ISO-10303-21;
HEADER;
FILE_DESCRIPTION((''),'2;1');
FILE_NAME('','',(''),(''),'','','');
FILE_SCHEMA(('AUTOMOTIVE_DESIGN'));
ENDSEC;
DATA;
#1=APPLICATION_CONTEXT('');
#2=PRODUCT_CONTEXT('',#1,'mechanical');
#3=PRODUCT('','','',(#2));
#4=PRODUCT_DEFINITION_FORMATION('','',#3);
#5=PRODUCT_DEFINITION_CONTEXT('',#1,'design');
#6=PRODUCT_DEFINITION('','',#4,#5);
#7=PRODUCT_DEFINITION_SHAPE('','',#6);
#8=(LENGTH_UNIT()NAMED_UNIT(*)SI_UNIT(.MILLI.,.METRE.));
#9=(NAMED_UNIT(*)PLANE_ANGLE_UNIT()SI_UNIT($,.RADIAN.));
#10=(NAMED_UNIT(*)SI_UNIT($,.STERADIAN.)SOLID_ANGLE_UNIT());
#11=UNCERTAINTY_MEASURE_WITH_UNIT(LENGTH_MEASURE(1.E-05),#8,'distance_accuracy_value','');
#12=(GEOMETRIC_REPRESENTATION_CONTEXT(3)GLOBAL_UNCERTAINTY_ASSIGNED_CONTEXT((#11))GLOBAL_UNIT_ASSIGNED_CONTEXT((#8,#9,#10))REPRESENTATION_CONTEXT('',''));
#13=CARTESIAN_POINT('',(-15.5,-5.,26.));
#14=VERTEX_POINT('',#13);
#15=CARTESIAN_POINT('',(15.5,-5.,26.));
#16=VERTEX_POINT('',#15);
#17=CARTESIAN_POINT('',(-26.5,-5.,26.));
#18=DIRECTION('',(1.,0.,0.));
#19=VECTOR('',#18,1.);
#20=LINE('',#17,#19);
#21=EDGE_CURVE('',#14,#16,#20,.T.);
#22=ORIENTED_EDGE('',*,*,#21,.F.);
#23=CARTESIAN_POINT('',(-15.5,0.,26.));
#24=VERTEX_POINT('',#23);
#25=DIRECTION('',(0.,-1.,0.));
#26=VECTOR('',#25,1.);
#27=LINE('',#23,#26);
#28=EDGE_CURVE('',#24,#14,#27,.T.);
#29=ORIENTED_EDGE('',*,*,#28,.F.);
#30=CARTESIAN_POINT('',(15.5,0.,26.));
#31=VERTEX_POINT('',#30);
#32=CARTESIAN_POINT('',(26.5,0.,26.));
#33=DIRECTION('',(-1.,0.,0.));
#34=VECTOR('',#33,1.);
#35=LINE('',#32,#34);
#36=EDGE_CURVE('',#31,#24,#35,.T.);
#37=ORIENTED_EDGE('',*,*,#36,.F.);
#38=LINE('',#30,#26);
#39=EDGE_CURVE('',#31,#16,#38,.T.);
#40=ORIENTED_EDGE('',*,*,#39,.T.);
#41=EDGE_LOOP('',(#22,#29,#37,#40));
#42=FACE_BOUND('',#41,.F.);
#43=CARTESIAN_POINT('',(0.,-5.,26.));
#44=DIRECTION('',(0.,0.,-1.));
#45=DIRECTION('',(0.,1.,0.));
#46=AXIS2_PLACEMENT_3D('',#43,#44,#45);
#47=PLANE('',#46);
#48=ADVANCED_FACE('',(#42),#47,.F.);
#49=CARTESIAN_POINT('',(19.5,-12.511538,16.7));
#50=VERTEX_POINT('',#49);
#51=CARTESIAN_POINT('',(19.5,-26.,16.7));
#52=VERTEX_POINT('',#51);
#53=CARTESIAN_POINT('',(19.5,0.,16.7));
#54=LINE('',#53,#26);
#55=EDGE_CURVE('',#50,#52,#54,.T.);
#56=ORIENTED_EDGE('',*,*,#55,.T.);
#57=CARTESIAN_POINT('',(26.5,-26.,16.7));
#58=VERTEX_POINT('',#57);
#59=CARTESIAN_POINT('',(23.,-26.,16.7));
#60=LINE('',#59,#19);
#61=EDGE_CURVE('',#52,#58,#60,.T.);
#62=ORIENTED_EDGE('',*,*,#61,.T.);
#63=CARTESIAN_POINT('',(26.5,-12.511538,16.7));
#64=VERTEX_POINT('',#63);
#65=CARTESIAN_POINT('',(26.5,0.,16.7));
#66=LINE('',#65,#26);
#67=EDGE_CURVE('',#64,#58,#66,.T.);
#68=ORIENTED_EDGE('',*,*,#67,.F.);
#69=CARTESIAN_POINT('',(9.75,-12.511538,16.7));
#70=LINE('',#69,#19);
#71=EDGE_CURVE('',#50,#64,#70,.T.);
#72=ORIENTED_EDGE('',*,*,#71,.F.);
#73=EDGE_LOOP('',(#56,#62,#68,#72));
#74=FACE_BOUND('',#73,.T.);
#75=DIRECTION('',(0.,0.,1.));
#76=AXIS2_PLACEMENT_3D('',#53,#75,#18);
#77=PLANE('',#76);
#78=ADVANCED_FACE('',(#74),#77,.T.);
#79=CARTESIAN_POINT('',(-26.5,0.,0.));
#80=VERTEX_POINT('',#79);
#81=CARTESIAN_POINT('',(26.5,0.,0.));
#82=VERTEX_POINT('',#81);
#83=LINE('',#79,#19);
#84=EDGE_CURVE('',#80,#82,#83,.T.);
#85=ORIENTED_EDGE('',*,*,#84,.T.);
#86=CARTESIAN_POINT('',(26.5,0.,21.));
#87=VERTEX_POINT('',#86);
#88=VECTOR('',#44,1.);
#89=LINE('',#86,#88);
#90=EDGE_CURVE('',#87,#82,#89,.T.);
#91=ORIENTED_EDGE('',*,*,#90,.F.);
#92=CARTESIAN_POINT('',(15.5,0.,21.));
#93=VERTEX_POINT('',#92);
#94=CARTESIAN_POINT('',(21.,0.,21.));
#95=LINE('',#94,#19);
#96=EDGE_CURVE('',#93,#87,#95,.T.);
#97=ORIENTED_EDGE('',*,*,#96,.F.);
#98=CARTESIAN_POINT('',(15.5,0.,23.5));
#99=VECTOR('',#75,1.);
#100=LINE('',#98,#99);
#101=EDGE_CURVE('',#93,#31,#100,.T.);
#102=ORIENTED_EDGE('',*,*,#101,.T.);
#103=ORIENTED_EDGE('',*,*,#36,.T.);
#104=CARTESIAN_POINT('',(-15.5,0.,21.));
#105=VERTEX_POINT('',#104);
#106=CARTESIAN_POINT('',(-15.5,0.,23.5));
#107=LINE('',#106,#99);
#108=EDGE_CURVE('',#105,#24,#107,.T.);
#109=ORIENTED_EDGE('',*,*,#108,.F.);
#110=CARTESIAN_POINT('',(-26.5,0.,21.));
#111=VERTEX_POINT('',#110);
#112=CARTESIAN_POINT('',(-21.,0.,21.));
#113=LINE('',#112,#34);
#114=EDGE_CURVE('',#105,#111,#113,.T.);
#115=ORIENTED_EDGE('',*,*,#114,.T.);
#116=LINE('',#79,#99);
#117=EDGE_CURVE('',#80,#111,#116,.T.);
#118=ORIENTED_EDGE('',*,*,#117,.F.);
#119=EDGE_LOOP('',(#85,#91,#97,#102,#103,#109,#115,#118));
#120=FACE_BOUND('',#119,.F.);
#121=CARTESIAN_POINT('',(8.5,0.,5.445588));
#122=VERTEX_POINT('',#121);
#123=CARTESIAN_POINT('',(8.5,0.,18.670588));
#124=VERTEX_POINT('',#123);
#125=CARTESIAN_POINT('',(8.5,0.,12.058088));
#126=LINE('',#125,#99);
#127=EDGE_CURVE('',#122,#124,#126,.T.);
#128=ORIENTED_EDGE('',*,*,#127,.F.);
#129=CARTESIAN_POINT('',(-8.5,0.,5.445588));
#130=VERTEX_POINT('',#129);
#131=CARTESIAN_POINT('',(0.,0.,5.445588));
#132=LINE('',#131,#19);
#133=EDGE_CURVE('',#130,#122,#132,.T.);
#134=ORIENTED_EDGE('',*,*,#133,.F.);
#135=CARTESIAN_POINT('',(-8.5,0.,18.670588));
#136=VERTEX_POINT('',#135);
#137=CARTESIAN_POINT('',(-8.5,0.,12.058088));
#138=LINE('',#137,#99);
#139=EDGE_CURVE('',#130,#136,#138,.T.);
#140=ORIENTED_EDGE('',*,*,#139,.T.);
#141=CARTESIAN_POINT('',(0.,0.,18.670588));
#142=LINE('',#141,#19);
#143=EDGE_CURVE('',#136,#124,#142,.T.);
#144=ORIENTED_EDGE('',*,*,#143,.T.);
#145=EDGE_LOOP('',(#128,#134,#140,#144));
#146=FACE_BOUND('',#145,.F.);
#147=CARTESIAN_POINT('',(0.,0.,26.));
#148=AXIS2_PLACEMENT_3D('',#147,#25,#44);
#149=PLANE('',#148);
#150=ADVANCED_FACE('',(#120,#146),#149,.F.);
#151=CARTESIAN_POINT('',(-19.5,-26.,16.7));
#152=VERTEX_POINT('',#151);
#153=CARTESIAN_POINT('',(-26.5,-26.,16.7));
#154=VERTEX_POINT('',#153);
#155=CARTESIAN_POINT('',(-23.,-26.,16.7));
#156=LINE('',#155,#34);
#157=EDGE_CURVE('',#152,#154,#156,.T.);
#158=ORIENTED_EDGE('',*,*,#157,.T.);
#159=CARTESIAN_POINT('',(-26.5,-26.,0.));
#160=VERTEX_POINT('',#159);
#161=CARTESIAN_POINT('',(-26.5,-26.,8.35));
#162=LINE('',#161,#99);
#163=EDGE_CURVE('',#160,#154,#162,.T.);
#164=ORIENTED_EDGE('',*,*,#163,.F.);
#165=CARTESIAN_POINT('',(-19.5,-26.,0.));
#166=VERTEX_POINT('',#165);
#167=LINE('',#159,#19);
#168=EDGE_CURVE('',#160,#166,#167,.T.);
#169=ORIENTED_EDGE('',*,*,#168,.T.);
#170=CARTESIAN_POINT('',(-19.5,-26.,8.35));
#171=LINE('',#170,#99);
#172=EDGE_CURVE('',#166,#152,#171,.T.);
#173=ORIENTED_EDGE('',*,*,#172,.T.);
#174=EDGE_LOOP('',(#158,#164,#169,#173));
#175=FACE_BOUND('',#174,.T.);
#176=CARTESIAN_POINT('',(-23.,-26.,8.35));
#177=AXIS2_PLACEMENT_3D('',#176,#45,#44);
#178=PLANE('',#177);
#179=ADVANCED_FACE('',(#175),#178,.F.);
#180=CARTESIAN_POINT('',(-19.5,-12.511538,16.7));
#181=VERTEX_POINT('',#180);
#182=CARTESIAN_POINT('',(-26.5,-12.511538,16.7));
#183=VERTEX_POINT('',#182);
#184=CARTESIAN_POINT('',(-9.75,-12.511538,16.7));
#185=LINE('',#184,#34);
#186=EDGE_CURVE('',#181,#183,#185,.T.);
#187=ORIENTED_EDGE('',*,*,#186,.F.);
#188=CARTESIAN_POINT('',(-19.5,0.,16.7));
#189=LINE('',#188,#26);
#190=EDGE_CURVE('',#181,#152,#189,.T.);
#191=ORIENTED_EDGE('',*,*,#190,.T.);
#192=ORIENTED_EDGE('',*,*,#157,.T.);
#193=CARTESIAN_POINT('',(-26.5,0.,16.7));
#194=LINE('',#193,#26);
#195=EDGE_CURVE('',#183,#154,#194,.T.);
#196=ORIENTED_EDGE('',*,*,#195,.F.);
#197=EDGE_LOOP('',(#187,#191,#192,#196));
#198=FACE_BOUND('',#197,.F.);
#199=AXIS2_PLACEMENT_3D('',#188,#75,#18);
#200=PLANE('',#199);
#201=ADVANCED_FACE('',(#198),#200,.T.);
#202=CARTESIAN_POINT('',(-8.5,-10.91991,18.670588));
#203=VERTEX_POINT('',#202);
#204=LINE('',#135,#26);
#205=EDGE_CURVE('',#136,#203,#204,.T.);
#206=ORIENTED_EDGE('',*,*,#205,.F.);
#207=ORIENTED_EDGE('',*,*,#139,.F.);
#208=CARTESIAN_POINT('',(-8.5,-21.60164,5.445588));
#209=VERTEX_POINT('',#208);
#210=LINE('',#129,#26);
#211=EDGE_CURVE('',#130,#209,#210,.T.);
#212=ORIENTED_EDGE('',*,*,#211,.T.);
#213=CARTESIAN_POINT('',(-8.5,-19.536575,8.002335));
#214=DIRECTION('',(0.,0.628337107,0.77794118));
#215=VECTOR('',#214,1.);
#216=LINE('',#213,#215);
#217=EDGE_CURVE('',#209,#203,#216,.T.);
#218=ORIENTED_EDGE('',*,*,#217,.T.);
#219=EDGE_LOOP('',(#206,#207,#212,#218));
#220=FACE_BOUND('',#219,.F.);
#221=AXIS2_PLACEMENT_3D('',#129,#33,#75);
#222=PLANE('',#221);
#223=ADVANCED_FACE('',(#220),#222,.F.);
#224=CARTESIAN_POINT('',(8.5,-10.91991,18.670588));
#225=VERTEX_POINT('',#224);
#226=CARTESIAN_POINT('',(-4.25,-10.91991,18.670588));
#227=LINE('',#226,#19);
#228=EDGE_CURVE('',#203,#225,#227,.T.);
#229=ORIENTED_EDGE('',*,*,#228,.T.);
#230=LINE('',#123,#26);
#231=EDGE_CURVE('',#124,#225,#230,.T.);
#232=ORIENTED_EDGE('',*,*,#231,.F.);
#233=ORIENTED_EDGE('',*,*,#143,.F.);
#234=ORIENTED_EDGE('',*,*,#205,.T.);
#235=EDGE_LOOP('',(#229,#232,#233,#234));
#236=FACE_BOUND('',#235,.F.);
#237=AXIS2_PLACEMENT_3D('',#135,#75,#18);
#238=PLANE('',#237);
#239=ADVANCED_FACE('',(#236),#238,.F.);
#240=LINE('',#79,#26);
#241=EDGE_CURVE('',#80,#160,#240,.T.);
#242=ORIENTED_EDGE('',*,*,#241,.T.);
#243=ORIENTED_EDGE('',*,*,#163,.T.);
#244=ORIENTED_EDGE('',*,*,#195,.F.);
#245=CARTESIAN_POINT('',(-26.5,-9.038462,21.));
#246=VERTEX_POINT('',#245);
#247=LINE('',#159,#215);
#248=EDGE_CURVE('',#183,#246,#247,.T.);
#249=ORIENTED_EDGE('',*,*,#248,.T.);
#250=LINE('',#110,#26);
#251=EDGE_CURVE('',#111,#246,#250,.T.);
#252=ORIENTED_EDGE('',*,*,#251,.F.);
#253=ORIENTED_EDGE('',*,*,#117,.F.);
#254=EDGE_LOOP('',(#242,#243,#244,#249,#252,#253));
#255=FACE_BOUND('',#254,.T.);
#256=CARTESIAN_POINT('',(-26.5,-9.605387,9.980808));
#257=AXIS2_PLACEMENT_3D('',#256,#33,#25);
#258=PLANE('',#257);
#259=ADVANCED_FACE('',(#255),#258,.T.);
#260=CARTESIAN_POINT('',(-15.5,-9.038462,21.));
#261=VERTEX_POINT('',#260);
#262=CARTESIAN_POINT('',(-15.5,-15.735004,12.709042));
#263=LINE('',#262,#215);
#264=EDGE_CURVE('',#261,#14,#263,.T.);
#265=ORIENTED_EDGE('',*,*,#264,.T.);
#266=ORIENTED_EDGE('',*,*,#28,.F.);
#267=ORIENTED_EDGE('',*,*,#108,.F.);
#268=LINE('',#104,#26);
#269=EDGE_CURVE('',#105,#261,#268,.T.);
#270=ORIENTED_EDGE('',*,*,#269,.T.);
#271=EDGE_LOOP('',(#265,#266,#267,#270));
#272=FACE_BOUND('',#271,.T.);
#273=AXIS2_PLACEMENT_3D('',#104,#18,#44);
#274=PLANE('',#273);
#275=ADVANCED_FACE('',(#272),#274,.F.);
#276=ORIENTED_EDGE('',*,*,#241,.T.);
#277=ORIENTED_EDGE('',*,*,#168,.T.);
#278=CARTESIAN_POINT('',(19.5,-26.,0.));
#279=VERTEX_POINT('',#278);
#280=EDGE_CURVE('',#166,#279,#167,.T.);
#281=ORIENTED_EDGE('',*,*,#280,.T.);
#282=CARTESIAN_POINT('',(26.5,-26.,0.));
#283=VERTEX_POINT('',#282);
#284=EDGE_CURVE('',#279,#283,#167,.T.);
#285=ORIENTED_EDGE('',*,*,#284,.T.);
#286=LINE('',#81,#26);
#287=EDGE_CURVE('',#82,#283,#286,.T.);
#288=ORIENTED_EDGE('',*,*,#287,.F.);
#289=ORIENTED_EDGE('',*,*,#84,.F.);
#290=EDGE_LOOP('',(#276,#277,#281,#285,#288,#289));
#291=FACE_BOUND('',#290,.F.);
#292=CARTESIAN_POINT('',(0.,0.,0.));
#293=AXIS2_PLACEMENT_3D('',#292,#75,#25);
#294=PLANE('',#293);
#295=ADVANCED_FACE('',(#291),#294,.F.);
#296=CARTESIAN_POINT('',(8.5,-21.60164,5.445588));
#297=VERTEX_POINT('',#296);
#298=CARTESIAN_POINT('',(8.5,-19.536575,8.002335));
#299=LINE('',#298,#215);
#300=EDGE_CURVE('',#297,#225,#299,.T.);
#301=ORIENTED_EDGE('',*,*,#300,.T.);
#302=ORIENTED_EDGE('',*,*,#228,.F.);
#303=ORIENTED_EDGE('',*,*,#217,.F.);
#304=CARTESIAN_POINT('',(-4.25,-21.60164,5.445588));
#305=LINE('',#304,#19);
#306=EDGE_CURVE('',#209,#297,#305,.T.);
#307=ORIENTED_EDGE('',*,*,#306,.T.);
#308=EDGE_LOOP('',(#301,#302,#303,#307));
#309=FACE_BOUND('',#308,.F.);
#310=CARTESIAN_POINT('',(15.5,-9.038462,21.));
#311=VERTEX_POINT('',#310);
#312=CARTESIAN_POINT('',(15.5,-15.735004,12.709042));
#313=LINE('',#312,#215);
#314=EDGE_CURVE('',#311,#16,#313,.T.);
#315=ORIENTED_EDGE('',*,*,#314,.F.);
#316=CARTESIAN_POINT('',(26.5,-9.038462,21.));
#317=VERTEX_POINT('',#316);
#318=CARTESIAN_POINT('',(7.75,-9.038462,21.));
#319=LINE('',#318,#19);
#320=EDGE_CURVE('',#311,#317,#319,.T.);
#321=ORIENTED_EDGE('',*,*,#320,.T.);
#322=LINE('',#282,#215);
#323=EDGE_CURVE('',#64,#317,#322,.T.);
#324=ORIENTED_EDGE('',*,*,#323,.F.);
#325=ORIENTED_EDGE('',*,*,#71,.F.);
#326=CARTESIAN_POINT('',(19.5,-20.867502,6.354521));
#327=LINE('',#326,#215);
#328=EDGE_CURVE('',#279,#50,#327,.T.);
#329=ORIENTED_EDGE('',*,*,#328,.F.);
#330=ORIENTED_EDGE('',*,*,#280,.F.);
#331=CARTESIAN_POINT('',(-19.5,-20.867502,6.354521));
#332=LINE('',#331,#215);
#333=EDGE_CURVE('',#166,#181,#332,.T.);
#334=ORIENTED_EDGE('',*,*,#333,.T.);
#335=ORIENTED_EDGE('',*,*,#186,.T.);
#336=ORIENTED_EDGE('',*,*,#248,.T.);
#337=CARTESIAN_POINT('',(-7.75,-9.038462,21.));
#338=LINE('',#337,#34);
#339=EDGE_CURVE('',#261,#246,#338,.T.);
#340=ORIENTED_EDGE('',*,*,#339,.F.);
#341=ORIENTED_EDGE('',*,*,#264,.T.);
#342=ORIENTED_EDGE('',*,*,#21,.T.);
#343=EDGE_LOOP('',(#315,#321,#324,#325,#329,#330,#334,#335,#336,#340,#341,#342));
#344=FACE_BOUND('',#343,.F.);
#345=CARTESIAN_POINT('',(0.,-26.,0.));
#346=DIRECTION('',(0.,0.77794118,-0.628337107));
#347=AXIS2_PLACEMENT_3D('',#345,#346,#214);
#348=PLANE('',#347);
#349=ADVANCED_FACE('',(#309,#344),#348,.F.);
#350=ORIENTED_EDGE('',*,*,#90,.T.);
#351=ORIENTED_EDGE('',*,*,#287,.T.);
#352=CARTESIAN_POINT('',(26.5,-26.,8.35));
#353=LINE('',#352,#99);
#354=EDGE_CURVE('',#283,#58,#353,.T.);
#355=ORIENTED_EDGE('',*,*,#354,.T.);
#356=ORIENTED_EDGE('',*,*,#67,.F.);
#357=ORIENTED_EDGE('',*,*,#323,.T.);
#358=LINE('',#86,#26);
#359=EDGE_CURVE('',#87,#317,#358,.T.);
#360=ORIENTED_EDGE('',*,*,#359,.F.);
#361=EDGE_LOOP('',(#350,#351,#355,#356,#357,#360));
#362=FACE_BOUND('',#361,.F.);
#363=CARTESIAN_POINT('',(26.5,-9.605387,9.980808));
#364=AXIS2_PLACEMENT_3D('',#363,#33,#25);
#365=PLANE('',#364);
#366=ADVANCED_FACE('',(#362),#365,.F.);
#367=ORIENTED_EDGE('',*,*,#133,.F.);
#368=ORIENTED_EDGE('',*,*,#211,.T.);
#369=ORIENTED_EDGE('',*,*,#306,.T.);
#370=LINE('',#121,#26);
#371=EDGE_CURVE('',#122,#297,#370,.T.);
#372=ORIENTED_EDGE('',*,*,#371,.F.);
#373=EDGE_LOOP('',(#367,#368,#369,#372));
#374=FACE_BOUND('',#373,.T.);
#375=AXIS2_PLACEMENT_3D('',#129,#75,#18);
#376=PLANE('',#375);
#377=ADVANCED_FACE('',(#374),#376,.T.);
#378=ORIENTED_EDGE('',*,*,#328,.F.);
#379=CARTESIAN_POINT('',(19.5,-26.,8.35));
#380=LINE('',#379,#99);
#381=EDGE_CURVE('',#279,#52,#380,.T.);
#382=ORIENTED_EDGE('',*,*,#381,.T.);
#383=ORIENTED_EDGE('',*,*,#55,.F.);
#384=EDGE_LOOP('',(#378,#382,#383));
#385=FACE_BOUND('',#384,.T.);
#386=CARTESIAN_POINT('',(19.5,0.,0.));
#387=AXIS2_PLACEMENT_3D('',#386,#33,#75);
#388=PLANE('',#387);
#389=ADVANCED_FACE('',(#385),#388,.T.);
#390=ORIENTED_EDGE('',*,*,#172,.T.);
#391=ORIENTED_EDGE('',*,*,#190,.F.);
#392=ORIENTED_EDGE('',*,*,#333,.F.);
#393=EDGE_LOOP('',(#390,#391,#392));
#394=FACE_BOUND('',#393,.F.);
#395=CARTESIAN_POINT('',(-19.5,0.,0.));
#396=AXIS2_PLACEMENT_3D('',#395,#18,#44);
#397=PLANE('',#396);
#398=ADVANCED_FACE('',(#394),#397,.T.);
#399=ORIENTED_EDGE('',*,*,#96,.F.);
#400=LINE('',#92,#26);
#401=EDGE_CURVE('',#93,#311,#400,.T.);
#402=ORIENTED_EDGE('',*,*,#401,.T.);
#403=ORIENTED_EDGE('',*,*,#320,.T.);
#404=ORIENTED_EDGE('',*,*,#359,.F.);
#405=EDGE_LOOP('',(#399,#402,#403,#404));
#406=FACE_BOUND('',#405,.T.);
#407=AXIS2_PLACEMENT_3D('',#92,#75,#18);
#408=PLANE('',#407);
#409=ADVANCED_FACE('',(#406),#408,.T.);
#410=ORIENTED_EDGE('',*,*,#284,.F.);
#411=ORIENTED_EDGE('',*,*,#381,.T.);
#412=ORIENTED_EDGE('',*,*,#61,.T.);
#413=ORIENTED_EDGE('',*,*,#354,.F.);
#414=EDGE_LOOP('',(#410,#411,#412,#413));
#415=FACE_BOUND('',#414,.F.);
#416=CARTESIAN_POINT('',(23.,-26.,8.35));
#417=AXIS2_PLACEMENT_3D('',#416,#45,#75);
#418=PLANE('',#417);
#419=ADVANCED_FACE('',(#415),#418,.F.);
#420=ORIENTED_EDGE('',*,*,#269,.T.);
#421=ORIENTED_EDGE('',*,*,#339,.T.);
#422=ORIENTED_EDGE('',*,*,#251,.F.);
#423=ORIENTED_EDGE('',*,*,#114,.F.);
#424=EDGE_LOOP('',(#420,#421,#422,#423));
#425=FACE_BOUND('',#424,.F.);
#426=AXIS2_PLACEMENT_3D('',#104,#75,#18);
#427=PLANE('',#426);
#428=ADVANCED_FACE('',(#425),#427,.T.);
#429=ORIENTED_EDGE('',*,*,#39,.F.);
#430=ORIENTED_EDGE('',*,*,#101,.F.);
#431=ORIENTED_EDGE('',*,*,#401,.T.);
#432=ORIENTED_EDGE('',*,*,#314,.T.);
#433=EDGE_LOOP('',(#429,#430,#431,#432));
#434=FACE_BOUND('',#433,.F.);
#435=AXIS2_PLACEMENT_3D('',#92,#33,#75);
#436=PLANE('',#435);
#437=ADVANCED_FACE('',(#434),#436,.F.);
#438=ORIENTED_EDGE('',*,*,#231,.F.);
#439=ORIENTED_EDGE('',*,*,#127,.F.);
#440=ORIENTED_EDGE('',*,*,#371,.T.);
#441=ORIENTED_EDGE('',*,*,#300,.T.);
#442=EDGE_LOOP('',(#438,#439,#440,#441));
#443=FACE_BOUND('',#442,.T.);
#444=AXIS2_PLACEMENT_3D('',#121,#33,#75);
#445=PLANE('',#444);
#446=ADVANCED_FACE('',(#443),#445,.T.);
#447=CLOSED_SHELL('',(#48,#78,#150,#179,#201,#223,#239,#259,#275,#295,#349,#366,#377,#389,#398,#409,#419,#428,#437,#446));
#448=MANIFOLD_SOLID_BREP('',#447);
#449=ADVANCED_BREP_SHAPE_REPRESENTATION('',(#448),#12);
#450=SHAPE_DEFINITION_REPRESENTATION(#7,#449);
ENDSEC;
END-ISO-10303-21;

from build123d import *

# Parameters (mm, degrees)
PAD_DEPTH       = 26.5
PAD_DEPTH_BACK  = 26.5
SKETCH001_W     = 5
SKETCH001_H     = 11
POCKET_DEPTH    = 155.012627
SKETCH002_W     = 16.7
SKETCH002_H     = 7
PAD001_DEPTH    = 26
SKETCH004_W     = 13.225
SKETCH004_H     = 17
POCKET001_DEPTH = 26.001


with BuildPart() as part:
    # Sketch → Pad (new body, two sides)
    with BuildSketch(Plane.YZ) as pad_sk:
        Polygon((-5, 26), (0, 26), (0, 0), (-26, 0), align=None)
    extrude(amount=PAD_DEPTH)
    extrude(pad_sk.sketch, amount=-PAD_DEPTH_BACK)

    # Sketch001 (on Face2 of Pad) → Pocket (cut, through all)
    with BuildSketch(Plane.ZX):
        with Locations((23.5, 21)):
            Rectangle(SKETCH001_W, SKETCH001_H)
    pocket = extrude(amount=-POCKET_DEPTH, mode=Mode.SUBTRACT)

    # Mirrored: Pocket across Sketch001 H_Axis
    add(pocket.mirror(Plane.YZ), mode=Mode.SUBTRACT)

    # Sketch002 (on Face3 of Mirrored) → Pad001 (join)
    with BuildSketch(Plane.ZX):
        with Locations((8.35, 23)):
            Rectangle(SKETCH002_W, SKETCH002_H)
    pad001 = extrude(amount=-PAD001_DEPTH)

    # Mirrored001: Pad001 across Sketch002 H_Axis
    add(pad001.mirror(Plane.YZ))

    # Sketch004 (on Face3 of Mirrored001) → Pocket001 (cut, through all)
    with BuildSketch(Plane.ZX):
        with Locations((12.058088, 0)):
            Rectangle(SKETCH004_W, SKETCH004_H)
    extrude(amount=-POCKET001_DEPTH, mode=Mode.SUBTRACT)


solid = part.part
